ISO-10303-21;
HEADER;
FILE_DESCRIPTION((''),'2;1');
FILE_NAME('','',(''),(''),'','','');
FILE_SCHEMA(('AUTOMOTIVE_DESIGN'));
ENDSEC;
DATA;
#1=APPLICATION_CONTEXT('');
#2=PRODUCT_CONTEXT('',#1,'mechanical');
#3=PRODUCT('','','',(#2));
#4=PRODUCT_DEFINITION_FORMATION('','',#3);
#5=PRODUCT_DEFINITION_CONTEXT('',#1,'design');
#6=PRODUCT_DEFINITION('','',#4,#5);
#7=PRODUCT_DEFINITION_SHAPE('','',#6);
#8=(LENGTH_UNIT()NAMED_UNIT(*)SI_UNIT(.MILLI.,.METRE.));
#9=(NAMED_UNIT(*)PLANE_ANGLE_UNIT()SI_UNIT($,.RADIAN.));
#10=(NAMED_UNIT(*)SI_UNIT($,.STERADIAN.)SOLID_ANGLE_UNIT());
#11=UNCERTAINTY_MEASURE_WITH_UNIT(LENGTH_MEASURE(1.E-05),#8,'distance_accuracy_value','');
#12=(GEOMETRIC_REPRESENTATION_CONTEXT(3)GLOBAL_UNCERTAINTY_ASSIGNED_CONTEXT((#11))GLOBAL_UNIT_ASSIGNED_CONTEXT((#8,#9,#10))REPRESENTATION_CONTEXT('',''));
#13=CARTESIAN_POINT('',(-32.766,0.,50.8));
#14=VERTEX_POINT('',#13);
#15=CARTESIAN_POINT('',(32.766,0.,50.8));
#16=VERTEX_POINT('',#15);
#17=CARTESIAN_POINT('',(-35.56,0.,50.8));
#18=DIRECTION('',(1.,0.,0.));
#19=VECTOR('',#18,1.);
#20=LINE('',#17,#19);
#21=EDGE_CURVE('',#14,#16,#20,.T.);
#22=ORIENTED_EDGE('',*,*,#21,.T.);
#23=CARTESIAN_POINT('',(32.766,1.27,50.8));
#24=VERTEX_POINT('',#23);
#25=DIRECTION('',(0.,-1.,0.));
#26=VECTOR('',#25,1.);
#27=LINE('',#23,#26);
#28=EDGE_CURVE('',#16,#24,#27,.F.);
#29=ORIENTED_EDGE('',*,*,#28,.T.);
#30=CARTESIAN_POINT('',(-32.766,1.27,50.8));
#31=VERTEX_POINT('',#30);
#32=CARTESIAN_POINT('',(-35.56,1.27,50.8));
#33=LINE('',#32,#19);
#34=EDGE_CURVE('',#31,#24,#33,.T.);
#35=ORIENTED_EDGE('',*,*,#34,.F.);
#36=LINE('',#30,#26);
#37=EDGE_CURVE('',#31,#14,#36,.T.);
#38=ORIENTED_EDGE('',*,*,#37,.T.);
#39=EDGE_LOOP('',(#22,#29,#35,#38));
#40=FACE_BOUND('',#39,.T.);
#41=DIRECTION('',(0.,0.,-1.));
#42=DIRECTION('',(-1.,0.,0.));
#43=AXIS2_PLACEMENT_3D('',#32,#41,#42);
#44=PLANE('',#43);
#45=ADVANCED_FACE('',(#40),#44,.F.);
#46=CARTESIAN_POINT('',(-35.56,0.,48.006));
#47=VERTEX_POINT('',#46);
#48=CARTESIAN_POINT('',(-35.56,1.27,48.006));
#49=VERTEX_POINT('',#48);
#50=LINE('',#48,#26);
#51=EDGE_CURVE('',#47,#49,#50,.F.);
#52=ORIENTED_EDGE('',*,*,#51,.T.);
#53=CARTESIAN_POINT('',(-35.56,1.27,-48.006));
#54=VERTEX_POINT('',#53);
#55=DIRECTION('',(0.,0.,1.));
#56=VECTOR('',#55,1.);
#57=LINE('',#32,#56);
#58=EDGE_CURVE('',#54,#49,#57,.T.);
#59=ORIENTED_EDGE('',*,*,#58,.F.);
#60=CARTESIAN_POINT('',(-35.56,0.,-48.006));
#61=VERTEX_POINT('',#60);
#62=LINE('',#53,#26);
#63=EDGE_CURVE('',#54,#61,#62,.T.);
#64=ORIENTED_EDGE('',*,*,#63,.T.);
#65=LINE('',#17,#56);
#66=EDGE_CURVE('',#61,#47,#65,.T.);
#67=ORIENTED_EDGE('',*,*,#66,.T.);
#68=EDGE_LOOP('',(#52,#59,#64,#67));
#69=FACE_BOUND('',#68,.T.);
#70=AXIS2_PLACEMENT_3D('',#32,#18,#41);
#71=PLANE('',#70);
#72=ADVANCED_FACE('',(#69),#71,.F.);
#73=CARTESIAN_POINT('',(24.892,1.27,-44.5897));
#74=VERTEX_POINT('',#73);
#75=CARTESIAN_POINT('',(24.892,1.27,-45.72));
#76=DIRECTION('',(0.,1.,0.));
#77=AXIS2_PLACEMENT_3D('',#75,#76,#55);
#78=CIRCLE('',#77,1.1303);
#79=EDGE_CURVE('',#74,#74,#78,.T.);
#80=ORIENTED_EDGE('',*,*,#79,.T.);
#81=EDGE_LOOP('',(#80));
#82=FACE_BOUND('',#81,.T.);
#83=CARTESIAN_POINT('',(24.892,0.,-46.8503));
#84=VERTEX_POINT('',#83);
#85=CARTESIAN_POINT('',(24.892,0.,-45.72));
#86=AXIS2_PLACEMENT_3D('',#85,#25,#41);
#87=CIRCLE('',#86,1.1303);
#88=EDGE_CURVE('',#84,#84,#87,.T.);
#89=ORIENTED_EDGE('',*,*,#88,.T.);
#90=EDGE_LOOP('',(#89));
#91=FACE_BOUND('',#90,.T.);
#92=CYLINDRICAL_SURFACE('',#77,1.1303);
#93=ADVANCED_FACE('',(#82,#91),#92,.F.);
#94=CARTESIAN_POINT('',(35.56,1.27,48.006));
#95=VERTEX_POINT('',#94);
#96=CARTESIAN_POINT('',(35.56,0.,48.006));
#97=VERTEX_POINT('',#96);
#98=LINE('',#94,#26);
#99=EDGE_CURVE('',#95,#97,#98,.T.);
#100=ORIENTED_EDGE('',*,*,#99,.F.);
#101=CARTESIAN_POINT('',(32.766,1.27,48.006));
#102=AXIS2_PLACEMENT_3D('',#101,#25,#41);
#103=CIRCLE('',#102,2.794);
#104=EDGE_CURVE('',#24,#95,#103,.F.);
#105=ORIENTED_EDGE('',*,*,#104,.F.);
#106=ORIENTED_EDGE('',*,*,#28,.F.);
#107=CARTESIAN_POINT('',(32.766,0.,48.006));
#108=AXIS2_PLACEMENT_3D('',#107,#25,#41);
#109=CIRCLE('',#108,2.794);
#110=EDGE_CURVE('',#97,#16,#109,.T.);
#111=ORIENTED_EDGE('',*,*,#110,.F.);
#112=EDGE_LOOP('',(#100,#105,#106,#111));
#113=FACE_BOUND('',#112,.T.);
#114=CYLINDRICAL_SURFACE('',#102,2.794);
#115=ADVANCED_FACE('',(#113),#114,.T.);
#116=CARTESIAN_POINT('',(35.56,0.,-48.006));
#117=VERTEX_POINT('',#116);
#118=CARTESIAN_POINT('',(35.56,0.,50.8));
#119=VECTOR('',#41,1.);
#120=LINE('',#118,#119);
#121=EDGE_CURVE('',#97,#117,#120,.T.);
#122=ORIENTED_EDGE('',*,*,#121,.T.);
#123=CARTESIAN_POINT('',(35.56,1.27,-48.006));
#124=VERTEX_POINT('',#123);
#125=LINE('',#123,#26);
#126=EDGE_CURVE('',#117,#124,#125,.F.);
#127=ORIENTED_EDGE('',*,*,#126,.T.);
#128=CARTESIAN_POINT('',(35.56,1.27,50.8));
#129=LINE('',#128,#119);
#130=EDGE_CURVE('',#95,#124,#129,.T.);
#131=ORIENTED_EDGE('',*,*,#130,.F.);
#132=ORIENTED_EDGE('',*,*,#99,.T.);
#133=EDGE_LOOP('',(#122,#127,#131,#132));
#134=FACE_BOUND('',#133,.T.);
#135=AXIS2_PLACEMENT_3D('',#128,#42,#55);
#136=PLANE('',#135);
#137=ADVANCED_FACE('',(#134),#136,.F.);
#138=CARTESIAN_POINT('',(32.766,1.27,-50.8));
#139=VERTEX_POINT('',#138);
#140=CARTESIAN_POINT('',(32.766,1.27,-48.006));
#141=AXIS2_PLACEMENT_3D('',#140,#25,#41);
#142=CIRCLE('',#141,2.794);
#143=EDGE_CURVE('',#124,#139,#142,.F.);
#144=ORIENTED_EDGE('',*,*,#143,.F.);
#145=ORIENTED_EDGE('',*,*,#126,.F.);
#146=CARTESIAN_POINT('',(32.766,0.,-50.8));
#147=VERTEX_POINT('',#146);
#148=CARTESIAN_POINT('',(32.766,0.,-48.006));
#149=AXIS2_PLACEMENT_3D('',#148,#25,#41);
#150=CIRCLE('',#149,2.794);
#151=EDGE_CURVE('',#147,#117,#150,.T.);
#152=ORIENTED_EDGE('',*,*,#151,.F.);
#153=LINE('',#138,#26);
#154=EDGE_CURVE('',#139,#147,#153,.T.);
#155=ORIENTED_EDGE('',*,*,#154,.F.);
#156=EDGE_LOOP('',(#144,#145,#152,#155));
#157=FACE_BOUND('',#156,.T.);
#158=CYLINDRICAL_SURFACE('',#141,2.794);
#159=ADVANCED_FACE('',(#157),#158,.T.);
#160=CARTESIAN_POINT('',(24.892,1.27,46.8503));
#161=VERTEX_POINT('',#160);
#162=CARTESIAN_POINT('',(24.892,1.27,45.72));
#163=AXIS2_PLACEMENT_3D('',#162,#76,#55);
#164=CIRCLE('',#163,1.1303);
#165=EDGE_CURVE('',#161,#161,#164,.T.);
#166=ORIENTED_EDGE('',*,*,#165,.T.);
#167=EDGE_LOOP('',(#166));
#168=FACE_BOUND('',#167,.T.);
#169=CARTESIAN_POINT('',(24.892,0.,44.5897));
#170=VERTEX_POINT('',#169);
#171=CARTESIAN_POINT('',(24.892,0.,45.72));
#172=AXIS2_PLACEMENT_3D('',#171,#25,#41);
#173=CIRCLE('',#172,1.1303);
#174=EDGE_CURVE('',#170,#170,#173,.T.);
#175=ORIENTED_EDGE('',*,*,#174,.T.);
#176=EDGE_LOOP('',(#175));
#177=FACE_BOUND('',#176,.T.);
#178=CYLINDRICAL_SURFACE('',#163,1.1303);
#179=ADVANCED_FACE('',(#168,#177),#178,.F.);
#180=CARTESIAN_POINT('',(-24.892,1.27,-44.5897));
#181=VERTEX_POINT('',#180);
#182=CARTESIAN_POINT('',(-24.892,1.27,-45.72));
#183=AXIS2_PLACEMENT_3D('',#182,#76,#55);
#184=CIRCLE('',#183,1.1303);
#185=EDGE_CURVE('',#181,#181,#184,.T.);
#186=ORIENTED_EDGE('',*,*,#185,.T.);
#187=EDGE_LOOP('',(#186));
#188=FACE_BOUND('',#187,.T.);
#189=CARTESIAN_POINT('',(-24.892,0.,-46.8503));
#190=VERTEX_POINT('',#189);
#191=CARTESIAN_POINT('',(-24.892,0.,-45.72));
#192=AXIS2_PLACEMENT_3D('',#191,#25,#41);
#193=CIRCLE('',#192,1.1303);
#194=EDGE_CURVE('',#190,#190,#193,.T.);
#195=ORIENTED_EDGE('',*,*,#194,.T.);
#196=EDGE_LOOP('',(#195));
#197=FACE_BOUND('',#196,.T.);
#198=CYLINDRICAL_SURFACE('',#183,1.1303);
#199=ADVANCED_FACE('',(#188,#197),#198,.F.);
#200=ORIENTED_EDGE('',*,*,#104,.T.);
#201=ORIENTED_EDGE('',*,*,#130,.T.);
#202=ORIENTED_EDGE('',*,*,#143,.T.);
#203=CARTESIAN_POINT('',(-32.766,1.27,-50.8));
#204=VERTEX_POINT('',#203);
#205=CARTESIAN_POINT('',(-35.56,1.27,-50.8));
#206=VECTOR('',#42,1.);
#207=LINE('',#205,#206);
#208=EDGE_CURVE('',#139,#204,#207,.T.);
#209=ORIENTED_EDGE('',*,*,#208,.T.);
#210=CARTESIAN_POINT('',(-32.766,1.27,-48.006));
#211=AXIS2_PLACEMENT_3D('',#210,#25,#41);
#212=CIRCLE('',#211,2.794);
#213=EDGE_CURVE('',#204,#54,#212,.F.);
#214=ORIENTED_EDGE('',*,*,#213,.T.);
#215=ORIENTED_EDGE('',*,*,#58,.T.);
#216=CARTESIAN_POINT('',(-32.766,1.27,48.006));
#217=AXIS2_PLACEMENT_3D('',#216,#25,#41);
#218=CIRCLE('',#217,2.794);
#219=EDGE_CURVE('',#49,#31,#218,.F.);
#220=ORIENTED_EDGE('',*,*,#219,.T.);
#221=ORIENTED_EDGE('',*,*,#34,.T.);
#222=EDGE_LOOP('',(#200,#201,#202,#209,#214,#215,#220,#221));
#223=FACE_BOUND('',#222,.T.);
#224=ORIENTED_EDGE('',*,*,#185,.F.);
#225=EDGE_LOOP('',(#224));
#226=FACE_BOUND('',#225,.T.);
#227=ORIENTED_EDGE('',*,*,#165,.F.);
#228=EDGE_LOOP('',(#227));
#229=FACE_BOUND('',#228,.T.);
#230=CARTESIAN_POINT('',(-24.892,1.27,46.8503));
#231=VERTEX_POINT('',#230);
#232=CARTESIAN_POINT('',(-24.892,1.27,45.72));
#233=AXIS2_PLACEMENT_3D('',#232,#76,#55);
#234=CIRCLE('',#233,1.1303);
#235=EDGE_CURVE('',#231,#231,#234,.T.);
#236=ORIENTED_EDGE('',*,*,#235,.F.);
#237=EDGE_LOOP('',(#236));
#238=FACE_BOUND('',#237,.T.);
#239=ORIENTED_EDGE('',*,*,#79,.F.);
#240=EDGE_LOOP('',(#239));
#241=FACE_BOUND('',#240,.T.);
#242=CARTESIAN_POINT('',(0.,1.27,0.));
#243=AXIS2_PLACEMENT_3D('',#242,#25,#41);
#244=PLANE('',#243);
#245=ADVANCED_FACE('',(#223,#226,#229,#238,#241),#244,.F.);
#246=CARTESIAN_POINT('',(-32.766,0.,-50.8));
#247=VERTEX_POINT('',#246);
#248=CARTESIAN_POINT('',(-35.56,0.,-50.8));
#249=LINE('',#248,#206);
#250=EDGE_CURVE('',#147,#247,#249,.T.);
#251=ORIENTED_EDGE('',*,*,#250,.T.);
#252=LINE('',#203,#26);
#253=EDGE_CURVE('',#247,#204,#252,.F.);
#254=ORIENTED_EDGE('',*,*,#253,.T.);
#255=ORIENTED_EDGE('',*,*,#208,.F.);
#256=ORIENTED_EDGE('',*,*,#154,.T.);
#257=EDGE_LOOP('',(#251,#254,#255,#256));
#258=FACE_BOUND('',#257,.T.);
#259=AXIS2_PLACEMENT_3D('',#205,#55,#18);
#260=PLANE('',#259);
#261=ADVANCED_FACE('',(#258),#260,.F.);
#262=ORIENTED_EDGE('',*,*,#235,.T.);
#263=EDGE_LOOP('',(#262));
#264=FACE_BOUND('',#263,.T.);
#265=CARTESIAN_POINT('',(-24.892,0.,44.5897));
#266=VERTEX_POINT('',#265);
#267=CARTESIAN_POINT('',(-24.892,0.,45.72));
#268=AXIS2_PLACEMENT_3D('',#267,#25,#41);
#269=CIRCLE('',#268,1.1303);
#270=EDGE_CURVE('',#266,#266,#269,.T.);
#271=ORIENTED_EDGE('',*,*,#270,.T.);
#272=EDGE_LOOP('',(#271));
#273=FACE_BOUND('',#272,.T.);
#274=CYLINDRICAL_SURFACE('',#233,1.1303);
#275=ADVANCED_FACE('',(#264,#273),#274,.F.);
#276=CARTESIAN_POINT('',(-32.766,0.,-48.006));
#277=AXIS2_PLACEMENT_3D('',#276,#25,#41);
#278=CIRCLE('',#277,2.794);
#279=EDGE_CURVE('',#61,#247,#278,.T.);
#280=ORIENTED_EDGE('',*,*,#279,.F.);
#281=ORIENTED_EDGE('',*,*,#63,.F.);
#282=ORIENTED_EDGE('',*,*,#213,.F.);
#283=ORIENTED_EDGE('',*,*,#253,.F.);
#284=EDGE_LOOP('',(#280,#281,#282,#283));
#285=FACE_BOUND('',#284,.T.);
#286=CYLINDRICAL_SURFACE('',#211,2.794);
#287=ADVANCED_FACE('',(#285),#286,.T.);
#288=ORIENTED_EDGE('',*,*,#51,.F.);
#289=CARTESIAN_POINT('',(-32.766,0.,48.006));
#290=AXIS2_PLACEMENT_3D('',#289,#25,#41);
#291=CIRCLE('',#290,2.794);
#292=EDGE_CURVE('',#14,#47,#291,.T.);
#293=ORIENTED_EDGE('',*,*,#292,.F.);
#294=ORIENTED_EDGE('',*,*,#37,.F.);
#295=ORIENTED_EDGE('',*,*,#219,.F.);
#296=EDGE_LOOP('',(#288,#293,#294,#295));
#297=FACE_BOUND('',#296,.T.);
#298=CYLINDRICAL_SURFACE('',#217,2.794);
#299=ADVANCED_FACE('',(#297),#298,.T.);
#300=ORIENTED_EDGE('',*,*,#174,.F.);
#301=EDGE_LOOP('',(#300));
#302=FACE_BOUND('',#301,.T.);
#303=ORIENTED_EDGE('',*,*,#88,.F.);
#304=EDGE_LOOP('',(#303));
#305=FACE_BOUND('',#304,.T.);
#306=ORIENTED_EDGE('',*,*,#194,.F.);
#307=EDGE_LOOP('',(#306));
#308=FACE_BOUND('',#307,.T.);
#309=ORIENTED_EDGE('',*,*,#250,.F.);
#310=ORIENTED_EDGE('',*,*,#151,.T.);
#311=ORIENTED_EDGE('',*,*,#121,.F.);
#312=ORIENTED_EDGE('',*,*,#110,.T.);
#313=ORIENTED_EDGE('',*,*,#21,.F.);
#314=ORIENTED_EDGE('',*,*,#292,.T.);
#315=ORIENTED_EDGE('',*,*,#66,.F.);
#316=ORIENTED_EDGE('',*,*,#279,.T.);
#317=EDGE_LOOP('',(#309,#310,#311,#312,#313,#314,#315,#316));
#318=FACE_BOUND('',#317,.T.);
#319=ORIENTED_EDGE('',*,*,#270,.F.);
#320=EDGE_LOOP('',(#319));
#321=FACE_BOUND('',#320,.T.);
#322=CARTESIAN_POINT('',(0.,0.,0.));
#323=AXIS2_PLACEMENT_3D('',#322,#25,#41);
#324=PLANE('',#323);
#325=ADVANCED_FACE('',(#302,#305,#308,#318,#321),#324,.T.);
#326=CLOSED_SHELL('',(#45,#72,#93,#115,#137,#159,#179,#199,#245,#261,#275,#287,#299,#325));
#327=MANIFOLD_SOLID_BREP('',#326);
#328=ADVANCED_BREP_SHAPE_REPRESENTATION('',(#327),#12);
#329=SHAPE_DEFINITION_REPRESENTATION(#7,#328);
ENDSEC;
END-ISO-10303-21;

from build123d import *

# Parameters (mm, degrees)
SKETCH1_W                 = 71.12
SKETCH1_H                 = 101.6
BOSS_EXTRUDE1_DEPTH       = 1.27
FILLET1_R                 = 2.794
F_4_40_TAPPED_HOLE1_D     = 2.2606
F_4_40_TAPPED_HOLE1_DEPTH = 2.286
F_4_40_TAPPED_HOLE1_TIP   = 0.679152758


with BuildPart() as part:
    # Sketch1 → Boss-Extrude1 (new body)
    with BuildSketch(Plane(origin=(0, 0, 0), x_dir=(1, 0, 0), z_dir=(0, 1, 0))):
        Rectangle(SKETCH1_W, SKETCH1_H)
    extrude(amount=BOSS_EXTRUDE1_DEPTH)

    # Fillet1
    fillet1_edges = [part.edges().sort_by_distance(p)[0] for p in [
        (35.56, 0.635, 50.8),
        (-35.56, 0.635, 50.8),
        (-35.56, 0.635, -50.8),
        (35.56, 0.635, -50.8),
    ]]
    fillet(fillet1_edges, radius=FILLET1_R)

    # #4-40 Tapped Hole1
    with Locations(Plane(origin=(0, 1.27, 0), x_dir=(1, 0, 0), z_dir=(0, 1, 0))):
        with Locations((-24.892, 45.72), (24.892, 45.72), (-24.892, -45.72), (24.892, -45.72)):
            Hole(F_4_40_TAPPED_HOLE1_D / 2, depth=F_4_40_TAPPED_HOLE1_DEPTH)
            with Locations((0, 0, -(F_4_40_TAPPED_HOLE1_DEPTH + F_4_40_TAPPED_HOLE1_TIP / 2))):  # 118° drill point
                Cone(0, F_4_40_TAPPED_HOLE1_D / 2, F_4_40_TAPPED_HOLE1_TIP, mode=Mode.SUBTRACT)


solid = part.part
